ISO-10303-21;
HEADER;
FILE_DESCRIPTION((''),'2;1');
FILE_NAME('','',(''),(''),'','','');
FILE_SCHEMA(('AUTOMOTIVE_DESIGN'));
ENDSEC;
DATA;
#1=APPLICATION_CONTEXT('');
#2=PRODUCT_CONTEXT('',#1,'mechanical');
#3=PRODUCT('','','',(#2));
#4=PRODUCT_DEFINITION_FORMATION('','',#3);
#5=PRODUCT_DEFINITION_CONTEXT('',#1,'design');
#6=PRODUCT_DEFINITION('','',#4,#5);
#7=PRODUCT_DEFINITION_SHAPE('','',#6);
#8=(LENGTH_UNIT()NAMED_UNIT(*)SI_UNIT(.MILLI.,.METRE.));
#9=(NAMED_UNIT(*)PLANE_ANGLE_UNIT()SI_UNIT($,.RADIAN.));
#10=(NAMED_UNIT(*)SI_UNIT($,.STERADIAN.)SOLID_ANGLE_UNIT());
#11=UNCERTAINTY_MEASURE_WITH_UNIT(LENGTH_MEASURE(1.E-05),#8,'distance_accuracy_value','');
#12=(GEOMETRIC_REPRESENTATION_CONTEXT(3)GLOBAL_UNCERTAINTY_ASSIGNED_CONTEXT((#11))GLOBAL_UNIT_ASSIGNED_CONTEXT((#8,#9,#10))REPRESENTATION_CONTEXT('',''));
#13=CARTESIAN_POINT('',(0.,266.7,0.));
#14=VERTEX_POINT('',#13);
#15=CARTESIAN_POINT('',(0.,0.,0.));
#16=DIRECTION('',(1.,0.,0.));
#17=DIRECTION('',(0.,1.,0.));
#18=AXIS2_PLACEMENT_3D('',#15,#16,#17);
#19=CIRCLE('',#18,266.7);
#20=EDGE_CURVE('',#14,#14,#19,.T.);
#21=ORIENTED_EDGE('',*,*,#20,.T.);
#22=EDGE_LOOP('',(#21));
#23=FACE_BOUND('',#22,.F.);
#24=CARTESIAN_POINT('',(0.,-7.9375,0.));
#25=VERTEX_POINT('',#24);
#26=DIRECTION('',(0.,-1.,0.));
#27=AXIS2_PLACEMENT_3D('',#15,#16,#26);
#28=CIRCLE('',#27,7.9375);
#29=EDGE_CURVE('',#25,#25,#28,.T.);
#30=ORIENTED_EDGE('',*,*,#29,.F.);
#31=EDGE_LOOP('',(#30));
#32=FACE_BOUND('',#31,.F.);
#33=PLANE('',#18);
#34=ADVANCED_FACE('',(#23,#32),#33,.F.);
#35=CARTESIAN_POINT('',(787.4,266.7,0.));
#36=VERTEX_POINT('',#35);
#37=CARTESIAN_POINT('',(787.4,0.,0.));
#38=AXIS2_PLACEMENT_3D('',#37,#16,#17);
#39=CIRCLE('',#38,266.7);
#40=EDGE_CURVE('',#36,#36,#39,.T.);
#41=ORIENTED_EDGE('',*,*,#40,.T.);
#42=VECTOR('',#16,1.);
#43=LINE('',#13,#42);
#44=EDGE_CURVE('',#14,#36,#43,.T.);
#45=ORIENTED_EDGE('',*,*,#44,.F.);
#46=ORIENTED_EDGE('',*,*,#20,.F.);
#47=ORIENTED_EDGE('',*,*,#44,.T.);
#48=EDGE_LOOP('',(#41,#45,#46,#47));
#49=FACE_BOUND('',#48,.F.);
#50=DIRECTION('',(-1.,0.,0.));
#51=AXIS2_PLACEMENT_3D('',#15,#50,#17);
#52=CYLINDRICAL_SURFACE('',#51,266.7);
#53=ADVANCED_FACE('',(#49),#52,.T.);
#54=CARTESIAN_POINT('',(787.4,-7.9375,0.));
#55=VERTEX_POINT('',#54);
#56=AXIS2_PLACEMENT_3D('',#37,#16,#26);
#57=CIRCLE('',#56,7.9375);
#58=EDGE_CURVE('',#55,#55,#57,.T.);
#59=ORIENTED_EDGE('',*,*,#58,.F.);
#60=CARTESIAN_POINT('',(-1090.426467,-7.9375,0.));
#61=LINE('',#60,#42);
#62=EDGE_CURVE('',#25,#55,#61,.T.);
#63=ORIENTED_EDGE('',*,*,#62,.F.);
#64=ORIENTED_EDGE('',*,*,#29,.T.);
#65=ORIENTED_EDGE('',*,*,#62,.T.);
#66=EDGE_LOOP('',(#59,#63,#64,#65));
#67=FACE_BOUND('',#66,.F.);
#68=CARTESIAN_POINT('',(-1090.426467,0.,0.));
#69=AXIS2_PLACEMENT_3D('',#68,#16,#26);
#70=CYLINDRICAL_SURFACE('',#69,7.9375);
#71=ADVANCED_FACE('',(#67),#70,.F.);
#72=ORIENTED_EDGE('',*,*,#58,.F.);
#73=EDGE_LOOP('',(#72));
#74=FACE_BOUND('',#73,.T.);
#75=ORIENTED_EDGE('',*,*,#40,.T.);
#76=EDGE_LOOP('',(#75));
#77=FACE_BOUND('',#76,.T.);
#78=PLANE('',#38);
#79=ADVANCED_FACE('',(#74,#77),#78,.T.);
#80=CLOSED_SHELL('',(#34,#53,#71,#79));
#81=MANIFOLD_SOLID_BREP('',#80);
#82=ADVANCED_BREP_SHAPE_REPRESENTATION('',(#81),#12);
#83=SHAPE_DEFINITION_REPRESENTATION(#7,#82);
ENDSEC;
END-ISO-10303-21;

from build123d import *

# Parameters (mm, degrees)
F0_R     = 266.7
F2_DEPTH = 787.4
F3_D     = 15.875


with BuildPart() as f2:
    # F0 (on Right) → F2 (new body)
    with BuildSketch(Plane.YZ):
        Circle(F0_R)
    extrude(amount=F2_DEPTH)

    # F3 (through all)
    with Locations(Plane(origin=(0, 0, 0), x_dir=(0, 1, 0), z_dir=(-1, 0, 0))):
        with Locations((0, 0)):
            Hole(F3_D / 2)


solid = f2.part
